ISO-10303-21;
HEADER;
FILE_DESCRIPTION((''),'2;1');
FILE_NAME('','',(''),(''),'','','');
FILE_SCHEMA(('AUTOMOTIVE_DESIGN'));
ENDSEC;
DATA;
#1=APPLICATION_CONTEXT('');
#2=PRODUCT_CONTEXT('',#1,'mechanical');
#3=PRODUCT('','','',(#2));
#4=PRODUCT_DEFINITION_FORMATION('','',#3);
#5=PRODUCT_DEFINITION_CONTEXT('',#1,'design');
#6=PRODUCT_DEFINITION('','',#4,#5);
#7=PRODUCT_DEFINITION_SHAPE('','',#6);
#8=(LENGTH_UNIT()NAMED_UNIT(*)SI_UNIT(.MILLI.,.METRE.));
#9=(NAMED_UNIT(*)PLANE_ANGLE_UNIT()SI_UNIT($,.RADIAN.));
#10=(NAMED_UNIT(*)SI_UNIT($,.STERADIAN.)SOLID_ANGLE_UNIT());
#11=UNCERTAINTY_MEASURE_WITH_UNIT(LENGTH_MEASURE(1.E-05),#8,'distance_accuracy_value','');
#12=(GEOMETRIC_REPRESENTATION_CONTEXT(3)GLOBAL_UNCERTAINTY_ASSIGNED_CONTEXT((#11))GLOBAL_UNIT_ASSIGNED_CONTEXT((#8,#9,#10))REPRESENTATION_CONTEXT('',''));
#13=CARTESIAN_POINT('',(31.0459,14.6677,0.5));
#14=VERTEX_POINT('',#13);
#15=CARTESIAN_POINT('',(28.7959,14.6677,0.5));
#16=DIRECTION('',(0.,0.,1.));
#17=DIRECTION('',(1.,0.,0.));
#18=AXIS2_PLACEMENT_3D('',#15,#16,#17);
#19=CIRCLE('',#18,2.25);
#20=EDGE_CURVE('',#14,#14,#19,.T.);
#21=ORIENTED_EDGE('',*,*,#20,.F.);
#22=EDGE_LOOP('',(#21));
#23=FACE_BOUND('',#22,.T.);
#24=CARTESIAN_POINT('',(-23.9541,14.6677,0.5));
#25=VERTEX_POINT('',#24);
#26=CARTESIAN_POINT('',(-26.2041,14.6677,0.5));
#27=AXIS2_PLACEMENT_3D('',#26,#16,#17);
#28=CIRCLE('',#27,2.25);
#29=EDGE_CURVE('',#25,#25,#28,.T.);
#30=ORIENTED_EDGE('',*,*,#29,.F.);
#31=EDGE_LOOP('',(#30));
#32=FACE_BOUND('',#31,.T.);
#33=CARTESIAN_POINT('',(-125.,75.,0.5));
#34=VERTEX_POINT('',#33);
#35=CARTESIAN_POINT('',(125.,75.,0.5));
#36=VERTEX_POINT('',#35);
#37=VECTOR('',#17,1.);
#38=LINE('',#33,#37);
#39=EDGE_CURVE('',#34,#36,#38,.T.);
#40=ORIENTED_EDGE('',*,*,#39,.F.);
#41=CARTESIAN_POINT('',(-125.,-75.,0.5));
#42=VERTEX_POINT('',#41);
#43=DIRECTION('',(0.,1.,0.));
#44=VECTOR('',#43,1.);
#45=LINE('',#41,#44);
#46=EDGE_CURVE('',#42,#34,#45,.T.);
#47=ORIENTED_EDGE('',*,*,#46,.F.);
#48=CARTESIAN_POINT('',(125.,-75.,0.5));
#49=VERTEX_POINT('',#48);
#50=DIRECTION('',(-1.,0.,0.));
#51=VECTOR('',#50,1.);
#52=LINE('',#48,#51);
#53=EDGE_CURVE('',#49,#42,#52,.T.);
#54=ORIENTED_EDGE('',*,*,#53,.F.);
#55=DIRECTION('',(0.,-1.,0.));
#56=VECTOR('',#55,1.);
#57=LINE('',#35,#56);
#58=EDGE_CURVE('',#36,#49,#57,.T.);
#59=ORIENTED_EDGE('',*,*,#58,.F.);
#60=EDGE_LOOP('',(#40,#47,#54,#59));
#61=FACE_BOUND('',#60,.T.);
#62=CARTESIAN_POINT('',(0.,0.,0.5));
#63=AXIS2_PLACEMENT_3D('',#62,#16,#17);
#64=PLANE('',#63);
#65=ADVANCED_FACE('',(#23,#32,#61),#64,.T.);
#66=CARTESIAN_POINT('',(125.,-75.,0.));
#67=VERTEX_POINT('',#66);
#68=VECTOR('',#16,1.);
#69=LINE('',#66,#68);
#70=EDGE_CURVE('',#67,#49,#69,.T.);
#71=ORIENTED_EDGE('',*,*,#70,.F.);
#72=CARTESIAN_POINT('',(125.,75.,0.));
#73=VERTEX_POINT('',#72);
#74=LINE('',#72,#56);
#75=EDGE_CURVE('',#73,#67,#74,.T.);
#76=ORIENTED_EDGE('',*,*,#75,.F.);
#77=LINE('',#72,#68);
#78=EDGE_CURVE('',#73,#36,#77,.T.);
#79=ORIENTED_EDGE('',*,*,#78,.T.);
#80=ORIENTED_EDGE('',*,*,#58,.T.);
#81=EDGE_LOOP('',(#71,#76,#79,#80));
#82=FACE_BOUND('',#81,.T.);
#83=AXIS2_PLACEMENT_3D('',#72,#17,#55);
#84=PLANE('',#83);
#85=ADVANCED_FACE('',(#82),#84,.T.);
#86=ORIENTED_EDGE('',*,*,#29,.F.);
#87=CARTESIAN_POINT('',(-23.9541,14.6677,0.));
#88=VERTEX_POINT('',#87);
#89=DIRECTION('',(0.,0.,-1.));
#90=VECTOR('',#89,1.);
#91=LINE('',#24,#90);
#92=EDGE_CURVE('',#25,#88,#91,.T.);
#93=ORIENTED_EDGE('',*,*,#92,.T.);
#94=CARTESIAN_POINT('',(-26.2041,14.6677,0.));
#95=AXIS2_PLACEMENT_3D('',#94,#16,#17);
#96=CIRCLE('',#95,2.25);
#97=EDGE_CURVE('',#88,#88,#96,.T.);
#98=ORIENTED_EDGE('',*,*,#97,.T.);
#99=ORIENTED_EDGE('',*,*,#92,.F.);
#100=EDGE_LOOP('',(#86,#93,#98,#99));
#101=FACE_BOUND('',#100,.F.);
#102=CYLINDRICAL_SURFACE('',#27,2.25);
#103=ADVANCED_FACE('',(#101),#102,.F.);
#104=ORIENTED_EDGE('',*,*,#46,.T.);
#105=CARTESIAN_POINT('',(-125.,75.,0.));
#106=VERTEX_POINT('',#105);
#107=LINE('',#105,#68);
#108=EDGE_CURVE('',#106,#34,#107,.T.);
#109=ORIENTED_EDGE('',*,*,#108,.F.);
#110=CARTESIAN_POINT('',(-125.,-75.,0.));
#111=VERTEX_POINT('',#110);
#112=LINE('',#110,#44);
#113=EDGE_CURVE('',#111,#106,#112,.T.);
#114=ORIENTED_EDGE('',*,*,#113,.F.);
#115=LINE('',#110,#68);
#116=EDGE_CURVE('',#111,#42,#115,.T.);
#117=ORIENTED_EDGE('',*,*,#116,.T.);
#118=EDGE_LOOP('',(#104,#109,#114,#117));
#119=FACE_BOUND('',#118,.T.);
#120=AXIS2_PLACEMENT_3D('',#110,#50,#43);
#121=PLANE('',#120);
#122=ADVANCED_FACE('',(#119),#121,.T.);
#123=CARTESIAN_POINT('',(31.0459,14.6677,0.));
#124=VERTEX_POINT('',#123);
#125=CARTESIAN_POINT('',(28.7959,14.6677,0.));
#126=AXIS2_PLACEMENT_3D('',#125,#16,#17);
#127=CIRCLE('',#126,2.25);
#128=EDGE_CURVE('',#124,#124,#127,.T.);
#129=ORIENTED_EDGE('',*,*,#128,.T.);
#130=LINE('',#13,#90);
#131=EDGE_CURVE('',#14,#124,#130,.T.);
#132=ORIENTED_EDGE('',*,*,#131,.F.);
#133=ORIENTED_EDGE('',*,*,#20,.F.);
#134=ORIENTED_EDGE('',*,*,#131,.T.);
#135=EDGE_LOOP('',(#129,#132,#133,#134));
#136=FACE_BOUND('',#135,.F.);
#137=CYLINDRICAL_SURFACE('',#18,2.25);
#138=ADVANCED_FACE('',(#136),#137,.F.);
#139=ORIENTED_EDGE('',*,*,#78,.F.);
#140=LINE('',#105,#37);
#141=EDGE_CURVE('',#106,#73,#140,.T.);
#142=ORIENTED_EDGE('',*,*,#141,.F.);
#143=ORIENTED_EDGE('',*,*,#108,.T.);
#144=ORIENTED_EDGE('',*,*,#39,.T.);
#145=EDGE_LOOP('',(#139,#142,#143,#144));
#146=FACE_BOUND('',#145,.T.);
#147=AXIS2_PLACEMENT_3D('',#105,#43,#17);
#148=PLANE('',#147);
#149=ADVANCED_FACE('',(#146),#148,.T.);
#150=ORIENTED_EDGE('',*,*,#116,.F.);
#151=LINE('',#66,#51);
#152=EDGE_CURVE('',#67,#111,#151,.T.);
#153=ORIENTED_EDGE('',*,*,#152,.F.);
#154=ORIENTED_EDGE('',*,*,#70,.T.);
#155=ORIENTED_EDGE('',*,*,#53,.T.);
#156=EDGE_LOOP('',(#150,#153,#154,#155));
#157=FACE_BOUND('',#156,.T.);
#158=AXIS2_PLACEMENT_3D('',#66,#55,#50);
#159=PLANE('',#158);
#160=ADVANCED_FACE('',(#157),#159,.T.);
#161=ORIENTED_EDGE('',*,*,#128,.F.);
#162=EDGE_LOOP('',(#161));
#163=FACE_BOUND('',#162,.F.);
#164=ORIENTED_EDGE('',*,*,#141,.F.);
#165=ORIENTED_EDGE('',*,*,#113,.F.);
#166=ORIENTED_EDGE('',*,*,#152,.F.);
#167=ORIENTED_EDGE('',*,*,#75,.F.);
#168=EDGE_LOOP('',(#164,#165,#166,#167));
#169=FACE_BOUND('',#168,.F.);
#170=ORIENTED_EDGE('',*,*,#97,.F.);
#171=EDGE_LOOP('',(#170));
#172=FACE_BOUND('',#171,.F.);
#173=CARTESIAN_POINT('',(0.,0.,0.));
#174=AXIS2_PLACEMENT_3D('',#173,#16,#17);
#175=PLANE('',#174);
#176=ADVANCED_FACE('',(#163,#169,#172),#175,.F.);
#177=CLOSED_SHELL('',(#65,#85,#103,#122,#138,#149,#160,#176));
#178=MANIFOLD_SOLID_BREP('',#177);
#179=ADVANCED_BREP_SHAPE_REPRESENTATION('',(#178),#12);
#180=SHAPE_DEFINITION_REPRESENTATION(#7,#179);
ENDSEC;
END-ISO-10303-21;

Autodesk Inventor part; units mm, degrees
ref_plane "YZ Plane" through (0, 0, 0) normal (1, 0, 0) x (0, 1, 0)
ref_plane "XZ Plane" through (0, 0, 0) normal (0, 1, 0) x (-1, 0, 0)
ref_plane "XY Plane" through (0, 0, 0) normal (0, 0, 1) x (1, 0, 0)
sketch "Sketch1" plane through (0, 0, 0) normal (0, 0, 1) x (1, 0, 0)
  line L0 (-125, 75) -> (125, 75)
  line L1 (125, 75) -> (125, -75)
  line L2 (125, -75) -> (-125, -75)
  line L3 (-125, -75) -> (-125, 75)
  line L4 (-125, 75) -> (125, -75) construction
  line L5 (125, 75) -> (-125, -75) construction
  point P0 (0, 0)
  dimension "d0" = 250
  dimension "d1" = 150
extrude "Plate1" add sketch "Sketch1" along normal blind 0.5
sketch "Sketch3" plane through (0, 0, 0.5) normal (0, 0, 1) x (1, 0, 0)
  circle A0 centre (-26.2041, 14.6677) radius 2.25 projected
  circle A1 centre (28.7959, 14.6677) radius 2.25 projected
  point P0 (0, 0)
extrude "Cut1" cut sketch "Sketch3" against normal blind 0.5
equation "\"d13\" = Thickness"
equation "\"d2\" = Thickness"
equation "\"BendRadius\" = Thickness"
equation "\"BendReliefWidth\" = Thickness"
equation "\"BendReliefDepth\" = 0.5 * Thickness"
equation "\"CornerReliefSize\" = 4 * Thickness"
equation "\"MinimumRemnant\" = 2 * Thickness"
equation "\"TransitionRadius\" = BendRadius"
equation "\"JacobiRadiusSize\" = BendRadius"
equation "\"GapSize\" = Thickness"
equation "\"Thickness\" = 0.5"
properties part number "CONTROL_BREEDTE"
